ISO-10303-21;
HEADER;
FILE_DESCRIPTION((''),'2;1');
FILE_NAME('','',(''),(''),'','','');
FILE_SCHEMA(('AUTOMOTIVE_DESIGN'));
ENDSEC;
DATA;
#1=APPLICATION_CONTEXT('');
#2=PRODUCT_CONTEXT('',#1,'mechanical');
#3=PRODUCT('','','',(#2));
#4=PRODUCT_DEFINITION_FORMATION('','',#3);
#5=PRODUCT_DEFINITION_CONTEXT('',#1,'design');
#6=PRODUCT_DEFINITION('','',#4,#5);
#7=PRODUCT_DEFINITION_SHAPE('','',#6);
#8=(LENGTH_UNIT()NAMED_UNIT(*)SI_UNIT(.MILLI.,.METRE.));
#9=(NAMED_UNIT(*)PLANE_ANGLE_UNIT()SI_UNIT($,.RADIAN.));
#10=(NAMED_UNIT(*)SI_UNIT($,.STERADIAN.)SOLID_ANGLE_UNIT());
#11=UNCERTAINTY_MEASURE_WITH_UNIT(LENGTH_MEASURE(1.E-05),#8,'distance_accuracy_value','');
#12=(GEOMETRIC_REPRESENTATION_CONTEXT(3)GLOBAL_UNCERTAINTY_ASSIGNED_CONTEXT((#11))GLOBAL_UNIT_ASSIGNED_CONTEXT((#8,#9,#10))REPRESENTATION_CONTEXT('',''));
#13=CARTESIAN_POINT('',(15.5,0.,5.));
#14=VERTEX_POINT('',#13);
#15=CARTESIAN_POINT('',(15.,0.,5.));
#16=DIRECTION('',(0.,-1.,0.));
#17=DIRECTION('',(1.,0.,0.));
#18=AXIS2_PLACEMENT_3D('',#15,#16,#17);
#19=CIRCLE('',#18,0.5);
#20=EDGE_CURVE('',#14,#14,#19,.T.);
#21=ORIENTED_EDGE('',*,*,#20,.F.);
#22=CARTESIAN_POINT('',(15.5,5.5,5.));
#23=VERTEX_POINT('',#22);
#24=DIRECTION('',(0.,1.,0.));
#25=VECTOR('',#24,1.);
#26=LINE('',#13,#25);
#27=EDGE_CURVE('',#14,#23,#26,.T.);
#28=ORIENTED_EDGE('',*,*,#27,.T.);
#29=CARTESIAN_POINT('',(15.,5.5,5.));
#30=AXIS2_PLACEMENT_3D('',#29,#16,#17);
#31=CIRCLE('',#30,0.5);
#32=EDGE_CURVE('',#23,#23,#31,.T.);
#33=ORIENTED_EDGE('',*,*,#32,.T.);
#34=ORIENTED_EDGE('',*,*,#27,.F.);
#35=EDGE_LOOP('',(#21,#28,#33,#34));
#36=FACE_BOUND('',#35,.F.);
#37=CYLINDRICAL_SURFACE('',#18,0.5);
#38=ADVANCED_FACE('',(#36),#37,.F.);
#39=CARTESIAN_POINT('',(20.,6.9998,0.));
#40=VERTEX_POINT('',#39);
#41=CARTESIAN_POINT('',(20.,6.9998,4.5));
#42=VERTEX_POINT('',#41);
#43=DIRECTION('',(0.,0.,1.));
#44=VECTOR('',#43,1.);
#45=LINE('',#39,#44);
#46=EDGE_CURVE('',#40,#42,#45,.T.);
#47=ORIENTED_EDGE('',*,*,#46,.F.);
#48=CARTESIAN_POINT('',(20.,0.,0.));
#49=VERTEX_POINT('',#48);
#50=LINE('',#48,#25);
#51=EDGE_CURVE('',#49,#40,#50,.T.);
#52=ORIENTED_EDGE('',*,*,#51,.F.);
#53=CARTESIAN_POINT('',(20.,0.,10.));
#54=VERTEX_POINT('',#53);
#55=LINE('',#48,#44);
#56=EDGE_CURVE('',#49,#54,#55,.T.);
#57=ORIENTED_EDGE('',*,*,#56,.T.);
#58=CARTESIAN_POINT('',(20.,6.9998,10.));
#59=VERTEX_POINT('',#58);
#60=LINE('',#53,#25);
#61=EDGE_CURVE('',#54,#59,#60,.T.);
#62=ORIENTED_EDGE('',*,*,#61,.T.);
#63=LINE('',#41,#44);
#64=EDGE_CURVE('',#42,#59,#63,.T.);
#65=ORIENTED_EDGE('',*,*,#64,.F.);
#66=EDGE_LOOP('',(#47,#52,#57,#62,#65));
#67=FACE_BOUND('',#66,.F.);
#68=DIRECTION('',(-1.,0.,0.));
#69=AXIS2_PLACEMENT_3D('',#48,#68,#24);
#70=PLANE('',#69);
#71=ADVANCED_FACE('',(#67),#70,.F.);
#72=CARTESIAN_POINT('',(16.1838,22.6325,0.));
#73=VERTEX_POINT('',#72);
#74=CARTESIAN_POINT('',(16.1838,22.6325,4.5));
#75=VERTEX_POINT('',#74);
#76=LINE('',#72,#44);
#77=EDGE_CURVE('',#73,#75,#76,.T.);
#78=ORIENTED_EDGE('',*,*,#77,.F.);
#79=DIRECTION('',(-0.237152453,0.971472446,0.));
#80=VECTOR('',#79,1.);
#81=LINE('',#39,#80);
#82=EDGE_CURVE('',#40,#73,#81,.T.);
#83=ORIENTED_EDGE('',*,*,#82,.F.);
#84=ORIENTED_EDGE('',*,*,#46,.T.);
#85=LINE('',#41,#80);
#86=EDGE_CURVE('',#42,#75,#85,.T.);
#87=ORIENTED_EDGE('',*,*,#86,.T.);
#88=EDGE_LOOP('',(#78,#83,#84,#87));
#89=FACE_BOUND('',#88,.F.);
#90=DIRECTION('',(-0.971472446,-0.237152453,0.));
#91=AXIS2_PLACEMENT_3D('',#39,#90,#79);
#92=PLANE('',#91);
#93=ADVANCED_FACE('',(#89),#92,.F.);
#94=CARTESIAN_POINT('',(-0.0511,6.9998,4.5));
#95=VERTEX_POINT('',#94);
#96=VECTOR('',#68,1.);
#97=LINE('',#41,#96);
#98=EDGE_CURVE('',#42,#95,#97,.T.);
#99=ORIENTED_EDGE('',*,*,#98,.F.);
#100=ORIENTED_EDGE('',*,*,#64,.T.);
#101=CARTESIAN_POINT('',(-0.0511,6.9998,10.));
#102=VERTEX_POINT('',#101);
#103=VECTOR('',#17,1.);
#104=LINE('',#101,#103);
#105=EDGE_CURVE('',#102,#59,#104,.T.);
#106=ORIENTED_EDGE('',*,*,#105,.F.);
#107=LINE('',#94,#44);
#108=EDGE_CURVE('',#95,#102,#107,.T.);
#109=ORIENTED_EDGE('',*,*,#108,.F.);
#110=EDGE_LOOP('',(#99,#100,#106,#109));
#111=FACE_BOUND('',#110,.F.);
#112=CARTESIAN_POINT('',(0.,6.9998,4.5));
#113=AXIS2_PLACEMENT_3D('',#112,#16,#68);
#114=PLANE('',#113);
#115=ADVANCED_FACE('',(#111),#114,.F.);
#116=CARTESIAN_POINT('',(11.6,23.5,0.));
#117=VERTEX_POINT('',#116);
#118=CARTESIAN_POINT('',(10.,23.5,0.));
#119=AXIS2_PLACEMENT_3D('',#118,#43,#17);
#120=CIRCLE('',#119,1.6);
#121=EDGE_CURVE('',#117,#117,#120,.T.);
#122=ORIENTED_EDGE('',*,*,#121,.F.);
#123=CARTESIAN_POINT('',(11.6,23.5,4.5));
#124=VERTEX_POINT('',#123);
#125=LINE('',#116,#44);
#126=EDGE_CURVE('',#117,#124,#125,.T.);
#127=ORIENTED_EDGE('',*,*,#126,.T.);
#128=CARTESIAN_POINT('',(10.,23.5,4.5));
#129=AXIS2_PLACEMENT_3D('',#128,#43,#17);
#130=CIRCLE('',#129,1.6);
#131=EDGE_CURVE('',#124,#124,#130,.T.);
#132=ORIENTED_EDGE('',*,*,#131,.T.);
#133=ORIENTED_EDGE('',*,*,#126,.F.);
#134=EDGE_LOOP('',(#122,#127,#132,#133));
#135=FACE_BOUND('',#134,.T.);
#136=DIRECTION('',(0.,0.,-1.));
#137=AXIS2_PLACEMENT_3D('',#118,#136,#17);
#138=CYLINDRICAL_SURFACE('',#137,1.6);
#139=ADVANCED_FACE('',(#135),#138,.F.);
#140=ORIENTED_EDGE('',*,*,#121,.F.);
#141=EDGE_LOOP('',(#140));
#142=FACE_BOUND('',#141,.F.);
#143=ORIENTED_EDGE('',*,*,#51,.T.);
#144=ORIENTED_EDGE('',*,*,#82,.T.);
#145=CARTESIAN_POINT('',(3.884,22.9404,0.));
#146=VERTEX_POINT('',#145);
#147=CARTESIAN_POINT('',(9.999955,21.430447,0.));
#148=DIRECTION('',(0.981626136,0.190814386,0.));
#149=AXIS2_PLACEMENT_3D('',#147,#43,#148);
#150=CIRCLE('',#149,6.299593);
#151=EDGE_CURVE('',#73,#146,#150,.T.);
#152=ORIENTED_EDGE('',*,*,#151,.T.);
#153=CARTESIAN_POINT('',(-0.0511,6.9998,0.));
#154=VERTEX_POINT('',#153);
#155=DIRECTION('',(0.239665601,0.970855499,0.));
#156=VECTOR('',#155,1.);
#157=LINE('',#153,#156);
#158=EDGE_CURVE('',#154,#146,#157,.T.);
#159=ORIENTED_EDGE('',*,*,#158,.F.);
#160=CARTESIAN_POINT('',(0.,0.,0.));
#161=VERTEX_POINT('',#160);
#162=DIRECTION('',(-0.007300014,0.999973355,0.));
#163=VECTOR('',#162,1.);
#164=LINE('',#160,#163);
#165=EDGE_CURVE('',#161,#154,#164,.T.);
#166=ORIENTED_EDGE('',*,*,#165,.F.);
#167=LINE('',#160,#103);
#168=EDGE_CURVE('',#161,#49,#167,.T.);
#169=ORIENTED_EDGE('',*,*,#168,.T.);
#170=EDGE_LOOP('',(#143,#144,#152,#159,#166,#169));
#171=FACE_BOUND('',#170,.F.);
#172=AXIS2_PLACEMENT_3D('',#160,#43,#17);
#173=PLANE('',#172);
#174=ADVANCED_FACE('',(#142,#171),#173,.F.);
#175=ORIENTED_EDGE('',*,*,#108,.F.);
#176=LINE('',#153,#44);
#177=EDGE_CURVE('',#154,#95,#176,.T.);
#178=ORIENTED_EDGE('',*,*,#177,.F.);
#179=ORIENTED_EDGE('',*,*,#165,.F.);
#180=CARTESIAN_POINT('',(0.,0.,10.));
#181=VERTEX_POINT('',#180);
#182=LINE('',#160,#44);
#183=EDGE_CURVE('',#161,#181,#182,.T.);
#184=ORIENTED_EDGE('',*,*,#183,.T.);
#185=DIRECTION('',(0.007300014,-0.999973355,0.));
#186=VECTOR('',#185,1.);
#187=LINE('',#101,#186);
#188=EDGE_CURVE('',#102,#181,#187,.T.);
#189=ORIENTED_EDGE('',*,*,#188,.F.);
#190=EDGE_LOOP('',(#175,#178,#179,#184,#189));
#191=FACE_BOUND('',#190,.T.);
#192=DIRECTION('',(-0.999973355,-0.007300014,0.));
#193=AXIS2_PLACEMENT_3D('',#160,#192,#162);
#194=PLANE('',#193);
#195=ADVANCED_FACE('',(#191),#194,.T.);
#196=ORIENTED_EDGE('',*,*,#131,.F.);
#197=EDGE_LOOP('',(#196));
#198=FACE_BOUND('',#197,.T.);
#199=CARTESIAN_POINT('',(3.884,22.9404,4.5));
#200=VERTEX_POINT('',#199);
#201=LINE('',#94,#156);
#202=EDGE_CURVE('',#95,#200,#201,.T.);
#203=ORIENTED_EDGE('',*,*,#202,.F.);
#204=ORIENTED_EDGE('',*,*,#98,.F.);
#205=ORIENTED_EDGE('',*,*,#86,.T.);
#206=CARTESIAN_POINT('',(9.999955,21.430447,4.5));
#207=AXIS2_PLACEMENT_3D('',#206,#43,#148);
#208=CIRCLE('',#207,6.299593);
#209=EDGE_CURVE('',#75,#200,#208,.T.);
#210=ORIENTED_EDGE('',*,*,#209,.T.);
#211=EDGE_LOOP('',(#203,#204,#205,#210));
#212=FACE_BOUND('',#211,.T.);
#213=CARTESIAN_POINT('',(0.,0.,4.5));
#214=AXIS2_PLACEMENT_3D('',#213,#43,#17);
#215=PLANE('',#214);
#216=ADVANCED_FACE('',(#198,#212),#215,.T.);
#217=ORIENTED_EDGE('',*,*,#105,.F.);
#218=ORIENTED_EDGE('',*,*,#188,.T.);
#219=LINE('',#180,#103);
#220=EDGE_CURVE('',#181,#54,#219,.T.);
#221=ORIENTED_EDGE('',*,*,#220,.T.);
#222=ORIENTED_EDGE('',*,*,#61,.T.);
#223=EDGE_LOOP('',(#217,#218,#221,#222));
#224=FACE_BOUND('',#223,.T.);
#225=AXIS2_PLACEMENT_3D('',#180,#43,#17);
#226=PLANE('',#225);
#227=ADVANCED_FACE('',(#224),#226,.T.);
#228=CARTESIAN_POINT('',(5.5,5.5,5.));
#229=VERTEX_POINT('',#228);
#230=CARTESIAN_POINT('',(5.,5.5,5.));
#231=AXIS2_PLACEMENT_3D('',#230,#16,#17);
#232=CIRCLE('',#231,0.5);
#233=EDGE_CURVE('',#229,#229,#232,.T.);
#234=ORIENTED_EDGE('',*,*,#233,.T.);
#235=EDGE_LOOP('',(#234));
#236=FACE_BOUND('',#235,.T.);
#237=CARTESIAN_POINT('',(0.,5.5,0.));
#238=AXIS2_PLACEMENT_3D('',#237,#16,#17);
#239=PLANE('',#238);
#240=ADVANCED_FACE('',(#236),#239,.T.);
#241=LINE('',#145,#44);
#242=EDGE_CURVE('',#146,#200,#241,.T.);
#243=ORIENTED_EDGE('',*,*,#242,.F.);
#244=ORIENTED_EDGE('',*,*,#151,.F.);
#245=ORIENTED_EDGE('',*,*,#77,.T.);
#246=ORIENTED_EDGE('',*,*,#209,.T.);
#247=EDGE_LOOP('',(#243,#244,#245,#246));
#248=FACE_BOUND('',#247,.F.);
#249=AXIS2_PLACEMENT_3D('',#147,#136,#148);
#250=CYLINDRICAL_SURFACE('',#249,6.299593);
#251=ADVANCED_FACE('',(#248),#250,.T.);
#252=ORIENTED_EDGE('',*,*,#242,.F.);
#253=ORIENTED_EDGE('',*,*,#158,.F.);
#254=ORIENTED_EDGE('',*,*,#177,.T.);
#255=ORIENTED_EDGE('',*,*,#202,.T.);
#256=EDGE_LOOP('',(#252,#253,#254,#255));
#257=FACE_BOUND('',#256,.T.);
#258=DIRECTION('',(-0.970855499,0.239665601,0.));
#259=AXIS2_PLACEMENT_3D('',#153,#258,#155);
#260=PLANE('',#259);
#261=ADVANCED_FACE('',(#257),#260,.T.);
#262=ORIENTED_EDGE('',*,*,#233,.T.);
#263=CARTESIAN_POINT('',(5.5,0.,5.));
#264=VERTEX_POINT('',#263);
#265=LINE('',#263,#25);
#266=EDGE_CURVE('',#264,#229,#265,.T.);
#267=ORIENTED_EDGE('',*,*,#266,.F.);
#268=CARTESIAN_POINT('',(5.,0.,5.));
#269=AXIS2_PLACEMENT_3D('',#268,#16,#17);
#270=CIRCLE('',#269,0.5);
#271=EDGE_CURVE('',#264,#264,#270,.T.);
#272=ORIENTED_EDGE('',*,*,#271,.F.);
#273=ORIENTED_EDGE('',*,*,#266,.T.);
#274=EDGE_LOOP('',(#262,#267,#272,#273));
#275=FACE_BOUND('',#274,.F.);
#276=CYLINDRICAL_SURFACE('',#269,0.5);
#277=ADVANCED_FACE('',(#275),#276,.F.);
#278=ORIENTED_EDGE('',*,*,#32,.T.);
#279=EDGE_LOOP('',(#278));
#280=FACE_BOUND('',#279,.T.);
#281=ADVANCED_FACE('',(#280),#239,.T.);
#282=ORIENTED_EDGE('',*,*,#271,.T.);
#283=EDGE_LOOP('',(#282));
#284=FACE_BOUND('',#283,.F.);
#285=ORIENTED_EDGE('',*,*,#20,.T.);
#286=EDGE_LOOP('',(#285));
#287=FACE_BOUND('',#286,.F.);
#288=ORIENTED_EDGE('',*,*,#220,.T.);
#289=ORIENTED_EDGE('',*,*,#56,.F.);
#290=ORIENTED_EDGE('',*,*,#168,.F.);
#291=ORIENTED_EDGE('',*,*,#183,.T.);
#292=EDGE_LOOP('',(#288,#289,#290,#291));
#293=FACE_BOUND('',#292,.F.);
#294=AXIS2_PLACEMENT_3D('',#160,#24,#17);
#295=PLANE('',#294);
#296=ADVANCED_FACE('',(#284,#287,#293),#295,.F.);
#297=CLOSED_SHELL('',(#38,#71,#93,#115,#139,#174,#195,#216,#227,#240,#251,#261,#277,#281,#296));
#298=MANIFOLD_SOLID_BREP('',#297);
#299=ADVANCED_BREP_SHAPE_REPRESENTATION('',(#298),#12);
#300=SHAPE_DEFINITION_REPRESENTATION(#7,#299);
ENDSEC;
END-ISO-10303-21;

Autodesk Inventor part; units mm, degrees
ref_plane "YZ Plane" through (0, 0, 0) normal (1, 0, 0) x (0, 1, 0)
ref_plane "XZ Plane" through (0, 0, 0) normal (0, 1, 0) x (-1, 0, 0)
ref_plane "XY Plane" through (0, 0, 0) normal (0, 0, 1) x (1, 0, 0)
sketch "Sketch1" plane through (0, 0, 0) normal (0, 0, 1) x (1, 0, 0)
  circle A0 centre (10, 23.5) radius 1.6
  line L0 (-0.0511, 6.9998) -> (3.884, 22.9404)
  line L1 (20, 6.9998) -> (16.1838, 22.6325)
  arc A1 (16.1838, 22.6325) -> (3.884, 22.9404) centre (10, 21.4305) ccw
  line L2 (0, 0) -> (20, 0)
  line L3 (20, 6.9998) -> (16.1838, 22.6325)
  line L4 (0, 0) -> (-0.0511, 6.9998)
  line L5 (20, 0) -> (20, 6.9998)
  dimension "d17" = 7
  dimension "d18" = 6.9998
sketch "Sketch3" plane through (0, 0, 0) normal (0, 0, 1) x (1, 0, 0)
  point P0 (0, 0)
extrude "Extrusion1" add sketch "Sketch1" along normal blind 4.5
sketch "Sketch4" plane through (0, 0, 4.5) normal (0, 0, 1) x (1, 0, 0)
  line L0 (-0.0511, 6.9998) -> (0, 0) projected
  line L1 (20, 0) -> (20, 6.9998) projected
  line L2 (0, 0) -> (20, 0)
  line L3 (20, 0) -> (20, 6.9998)
  line L4 (3.884, 22.9404) -> (-0.0511, 6.9998) projected
  line L5 (20, 6.9998) -> (-0.0511, 6.9998)
  line L6 (0, 6.9998) -> (0, 0)
extrude "Extrusion2" add sketch "Sketch4" along normal blind 5.5
sketch "Sketch5" plane through (0, 0, 0) normal (0, -1, 0) x (1, 0, 0)
  circle A0 centre (5, 5) radius 0.5
  circle A1 centre (15, 5) radius 0.5
  point P0 (0, 0)
  dimension "d13" = 1
  dimension "d14" = 1
extrude "Extrusion3" cut sketch "Sketch5" against normal blind 5.5
properties part number "upper_deck_shaft_mount"
